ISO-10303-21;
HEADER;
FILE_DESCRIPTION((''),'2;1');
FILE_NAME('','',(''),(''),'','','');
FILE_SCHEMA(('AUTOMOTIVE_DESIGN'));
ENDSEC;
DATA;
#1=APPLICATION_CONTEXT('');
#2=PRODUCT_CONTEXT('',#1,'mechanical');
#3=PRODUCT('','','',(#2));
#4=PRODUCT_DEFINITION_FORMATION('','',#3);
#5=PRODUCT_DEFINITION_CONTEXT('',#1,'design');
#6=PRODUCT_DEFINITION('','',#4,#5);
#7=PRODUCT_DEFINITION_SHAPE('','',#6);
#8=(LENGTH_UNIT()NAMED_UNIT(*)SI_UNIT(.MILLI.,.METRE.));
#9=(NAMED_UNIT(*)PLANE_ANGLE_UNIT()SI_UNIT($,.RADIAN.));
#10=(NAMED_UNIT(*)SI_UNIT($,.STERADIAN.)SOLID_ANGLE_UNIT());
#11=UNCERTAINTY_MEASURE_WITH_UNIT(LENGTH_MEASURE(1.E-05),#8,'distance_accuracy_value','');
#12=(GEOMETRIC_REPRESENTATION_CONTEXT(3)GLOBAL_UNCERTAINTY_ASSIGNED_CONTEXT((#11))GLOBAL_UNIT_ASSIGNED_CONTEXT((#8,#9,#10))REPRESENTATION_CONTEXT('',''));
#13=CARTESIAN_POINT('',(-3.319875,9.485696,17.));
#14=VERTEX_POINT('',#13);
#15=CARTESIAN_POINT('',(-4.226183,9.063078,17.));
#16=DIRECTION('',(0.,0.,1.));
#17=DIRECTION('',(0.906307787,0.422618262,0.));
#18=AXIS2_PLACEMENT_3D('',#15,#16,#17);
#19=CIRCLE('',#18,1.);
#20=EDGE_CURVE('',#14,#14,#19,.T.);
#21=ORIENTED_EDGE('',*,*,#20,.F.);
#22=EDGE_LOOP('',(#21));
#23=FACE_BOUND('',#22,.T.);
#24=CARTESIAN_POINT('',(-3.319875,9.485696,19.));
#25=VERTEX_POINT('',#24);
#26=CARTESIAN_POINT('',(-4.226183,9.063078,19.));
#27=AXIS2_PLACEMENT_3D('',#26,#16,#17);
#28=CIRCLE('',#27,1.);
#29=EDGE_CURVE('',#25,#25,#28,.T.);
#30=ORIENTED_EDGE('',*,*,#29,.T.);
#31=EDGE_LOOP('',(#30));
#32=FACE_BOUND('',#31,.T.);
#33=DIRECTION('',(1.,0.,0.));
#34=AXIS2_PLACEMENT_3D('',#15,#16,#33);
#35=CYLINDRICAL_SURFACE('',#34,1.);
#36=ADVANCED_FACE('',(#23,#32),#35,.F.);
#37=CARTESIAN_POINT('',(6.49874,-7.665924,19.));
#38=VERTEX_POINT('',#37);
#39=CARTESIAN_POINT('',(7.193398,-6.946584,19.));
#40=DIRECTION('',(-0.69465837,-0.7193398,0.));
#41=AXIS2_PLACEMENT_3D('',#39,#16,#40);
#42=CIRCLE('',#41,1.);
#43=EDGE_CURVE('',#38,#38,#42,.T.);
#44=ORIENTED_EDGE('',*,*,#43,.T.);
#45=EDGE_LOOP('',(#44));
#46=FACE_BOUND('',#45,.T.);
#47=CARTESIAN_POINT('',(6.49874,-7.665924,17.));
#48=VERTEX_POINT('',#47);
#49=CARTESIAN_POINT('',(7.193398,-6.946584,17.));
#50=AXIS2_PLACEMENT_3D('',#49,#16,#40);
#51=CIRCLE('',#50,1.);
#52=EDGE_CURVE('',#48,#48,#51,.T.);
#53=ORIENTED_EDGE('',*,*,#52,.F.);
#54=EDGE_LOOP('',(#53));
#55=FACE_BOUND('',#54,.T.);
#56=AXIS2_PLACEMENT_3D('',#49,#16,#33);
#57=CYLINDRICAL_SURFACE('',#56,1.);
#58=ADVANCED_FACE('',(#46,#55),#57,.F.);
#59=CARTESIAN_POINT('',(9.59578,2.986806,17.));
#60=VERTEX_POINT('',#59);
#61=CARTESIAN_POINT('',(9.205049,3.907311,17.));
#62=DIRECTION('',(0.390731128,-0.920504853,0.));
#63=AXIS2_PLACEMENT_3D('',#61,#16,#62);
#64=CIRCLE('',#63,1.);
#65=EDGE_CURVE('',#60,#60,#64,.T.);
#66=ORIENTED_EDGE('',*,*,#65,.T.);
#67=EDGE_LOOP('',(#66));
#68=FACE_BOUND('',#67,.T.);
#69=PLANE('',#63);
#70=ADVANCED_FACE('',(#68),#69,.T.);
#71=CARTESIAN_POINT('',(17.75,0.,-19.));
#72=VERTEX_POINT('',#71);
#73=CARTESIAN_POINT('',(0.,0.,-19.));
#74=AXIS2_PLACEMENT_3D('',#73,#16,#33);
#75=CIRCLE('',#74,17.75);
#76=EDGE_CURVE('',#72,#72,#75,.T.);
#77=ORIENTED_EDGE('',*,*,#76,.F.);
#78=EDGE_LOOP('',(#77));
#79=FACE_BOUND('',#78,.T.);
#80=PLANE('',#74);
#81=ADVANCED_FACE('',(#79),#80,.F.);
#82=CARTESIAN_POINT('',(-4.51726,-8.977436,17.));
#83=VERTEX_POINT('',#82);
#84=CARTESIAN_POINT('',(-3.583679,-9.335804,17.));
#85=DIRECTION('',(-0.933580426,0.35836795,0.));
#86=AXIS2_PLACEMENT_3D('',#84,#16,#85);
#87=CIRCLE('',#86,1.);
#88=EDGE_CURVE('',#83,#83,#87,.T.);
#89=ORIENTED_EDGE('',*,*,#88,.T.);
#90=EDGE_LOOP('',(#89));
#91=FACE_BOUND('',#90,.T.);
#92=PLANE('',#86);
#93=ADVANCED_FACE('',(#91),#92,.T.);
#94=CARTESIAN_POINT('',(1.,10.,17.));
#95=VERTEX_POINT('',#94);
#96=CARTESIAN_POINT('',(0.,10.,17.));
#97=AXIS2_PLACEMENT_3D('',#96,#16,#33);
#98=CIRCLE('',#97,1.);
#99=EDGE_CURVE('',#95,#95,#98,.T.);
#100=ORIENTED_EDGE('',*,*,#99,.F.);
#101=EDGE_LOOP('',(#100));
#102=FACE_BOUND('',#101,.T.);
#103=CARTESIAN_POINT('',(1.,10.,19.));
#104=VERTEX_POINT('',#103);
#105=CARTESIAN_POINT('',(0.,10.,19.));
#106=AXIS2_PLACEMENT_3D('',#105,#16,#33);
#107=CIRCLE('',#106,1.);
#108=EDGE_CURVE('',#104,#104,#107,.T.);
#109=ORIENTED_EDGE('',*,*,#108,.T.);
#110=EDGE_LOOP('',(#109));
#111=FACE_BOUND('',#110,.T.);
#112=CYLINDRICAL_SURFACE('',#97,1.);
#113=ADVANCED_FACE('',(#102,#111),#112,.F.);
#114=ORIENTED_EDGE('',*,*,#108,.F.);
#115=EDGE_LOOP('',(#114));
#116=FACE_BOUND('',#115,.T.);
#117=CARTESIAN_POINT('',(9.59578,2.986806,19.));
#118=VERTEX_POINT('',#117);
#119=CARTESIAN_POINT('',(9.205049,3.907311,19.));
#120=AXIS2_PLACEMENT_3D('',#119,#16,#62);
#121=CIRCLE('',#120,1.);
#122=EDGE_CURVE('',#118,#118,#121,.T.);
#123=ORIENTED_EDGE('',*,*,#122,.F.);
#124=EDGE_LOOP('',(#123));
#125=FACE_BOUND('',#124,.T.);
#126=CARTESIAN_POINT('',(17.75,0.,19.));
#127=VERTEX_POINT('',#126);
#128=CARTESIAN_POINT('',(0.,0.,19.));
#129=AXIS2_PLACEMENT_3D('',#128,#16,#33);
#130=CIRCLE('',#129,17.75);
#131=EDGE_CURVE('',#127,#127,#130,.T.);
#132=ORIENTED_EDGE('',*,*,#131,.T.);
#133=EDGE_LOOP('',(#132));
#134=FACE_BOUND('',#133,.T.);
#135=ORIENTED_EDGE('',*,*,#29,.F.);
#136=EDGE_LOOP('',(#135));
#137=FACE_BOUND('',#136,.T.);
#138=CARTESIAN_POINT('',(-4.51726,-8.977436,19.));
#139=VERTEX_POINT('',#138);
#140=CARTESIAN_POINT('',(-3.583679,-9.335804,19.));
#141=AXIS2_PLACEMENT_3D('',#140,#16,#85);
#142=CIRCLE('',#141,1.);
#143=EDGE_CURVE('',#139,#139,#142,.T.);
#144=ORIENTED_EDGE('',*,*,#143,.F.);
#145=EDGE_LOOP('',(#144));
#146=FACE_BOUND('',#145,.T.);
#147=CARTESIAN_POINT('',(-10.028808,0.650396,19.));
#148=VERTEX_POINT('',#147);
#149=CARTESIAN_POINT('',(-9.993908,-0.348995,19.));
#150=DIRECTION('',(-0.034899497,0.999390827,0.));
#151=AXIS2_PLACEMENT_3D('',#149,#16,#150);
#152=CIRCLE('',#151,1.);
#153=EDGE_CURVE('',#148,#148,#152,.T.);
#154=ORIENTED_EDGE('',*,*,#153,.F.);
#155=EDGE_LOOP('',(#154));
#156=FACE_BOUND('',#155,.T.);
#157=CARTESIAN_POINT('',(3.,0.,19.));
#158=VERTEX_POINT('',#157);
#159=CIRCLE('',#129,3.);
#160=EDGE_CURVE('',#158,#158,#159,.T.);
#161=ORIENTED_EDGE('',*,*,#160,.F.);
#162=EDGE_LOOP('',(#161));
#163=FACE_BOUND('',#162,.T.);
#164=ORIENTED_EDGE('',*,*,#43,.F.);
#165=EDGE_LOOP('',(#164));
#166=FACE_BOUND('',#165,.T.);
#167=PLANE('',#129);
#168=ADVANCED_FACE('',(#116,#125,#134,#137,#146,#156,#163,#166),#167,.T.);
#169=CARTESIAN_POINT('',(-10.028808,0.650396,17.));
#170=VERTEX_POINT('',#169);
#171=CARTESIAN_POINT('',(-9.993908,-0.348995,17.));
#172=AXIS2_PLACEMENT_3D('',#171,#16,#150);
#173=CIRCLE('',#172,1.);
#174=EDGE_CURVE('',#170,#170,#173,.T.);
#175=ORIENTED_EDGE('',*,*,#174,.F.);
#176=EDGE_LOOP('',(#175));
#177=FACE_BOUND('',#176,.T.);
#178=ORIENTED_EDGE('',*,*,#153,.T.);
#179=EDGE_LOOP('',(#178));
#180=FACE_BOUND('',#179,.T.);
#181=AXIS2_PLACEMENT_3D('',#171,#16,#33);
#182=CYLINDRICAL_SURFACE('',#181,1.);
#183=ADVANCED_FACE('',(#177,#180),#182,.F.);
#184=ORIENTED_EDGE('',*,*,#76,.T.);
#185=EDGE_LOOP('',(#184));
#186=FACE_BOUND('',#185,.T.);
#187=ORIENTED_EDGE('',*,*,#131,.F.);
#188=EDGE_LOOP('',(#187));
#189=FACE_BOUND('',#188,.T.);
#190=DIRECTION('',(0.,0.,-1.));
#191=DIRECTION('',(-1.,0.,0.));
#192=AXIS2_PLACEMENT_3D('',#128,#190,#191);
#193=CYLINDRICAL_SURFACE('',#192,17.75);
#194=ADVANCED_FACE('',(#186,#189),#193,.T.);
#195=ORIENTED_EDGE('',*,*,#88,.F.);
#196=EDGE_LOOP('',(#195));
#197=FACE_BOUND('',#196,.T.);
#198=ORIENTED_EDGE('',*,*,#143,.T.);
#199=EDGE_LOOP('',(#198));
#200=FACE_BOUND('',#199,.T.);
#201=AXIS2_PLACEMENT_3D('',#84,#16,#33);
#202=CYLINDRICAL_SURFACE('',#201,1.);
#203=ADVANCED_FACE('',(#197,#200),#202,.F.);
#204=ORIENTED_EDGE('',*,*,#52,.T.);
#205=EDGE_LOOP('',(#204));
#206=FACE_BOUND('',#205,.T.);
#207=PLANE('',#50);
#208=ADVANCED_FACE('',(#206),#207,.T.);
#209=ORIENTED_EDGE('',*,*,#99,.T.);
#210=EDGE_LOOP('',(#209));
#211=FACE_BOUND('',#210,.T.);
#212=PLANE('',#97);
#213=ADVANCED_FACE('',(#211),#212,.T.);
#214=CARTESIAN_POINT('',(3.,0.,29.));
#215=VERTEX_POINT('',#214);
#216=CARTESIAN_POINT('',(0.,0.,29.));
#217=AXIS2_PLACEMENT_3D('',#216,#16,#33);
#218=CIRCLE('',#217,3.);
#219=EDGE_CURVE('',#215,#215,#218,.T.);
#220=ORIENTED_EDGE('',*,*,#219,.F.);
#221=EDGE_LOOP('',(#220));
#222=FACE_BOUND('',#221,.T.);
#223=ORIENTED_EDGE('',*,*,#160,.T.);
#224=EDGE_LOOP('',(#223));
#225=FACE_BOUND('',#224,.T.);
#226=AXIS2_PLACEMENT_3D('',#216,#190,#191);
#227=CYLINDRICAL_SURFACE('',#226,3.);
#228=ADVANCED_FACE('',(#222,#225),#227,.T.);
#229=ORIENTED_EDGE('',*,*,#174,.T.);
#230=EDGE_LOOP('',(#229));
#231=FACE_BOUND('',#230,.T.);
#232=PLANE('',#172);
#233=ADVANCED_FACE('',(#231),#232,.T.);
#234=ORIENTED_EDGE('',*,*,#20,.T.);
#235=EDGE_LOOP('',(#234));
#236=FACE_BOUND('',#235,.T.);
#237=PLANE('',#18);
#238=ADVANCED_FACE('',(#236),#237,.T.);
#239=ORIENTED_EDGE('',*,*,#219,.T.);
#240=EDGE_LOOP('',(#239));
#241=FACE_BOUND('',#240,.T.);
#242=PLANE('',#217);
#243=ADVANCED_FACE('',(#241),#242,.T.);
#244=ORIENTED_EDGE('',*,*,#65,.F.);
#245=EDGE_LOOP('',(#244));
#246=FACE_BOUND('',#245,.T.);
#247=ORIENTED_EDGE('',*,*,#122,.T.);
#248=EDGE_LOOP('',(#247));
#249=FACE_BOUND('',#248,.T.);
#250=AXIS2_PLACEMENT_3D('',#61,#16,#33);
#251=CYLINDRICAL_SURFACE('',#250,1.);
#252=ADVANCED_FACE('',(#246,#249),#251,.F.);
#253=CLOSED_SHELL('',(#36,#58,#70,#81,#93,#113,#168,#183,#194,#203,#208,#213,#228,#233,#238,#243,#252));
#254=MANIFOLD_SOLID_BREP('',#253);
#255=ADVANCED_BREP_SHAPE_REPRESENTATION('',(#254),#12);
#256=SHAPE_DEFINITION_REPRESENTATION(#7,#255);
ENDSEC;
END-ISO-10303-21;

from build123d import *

# Parameters (mm, degrees)
SKETCH1_R           = 17.75
BOSS_EXTRUDE1_DEPTH = 19
SKETCH2_R           = 3
BOSS_EXTRUDE2_DEPTH = 10
SKETCH3_R           = 1
CUT_EXTRUDE1_DEPTH  = 2
CIRPATTERN1_COUNT   = 6
CIRPATTERN1_ANGLE   = 335


with BuildPart() as part:
    # Sketch1 → Boss-Extrude1 (new body, symmetric)
    with BuildSketch(Plane.XY):
        Circle(SKETCH1_R)
    extrude(amount=BOSS_EXTRUDE1_DEPTH, both=True)

    # Sketch2 → Boss-Extrude2 (add)
    with BuildSketch(Plane.XY.offset(19)):
        Circle(SKETCH2_R)
    extrude(amount=BOSS_EXTRUDE2_DEPTH)

    # Sketch3 → Cut-Extrude1 (cut)
    with BuildSketch(Plane.XY.offset(19)):
        with Locations((0, 10)):
            Circle(SKETCH3_R)
    cut_extrude1 = extrude(amount=-CUT_EXTRUDE1_DEPTH, mode=Mode.SUBTRACT)

    # CirPattern1: Cut-Extrude1 ×6 about axis
    cirpattern1_axis = Axis((0, 0, 0), (0, 0, -1))
    for i in range(1, CIRPATTERN1_COUNT):
        add(cut_extrude1.rotate(cirpattern1_axis, i * CIRPATTERN1_ANGLE / (CIRPATTERN1_COUNT - 1)), mode=Mode.SUBTRACT)


solid = part.part
